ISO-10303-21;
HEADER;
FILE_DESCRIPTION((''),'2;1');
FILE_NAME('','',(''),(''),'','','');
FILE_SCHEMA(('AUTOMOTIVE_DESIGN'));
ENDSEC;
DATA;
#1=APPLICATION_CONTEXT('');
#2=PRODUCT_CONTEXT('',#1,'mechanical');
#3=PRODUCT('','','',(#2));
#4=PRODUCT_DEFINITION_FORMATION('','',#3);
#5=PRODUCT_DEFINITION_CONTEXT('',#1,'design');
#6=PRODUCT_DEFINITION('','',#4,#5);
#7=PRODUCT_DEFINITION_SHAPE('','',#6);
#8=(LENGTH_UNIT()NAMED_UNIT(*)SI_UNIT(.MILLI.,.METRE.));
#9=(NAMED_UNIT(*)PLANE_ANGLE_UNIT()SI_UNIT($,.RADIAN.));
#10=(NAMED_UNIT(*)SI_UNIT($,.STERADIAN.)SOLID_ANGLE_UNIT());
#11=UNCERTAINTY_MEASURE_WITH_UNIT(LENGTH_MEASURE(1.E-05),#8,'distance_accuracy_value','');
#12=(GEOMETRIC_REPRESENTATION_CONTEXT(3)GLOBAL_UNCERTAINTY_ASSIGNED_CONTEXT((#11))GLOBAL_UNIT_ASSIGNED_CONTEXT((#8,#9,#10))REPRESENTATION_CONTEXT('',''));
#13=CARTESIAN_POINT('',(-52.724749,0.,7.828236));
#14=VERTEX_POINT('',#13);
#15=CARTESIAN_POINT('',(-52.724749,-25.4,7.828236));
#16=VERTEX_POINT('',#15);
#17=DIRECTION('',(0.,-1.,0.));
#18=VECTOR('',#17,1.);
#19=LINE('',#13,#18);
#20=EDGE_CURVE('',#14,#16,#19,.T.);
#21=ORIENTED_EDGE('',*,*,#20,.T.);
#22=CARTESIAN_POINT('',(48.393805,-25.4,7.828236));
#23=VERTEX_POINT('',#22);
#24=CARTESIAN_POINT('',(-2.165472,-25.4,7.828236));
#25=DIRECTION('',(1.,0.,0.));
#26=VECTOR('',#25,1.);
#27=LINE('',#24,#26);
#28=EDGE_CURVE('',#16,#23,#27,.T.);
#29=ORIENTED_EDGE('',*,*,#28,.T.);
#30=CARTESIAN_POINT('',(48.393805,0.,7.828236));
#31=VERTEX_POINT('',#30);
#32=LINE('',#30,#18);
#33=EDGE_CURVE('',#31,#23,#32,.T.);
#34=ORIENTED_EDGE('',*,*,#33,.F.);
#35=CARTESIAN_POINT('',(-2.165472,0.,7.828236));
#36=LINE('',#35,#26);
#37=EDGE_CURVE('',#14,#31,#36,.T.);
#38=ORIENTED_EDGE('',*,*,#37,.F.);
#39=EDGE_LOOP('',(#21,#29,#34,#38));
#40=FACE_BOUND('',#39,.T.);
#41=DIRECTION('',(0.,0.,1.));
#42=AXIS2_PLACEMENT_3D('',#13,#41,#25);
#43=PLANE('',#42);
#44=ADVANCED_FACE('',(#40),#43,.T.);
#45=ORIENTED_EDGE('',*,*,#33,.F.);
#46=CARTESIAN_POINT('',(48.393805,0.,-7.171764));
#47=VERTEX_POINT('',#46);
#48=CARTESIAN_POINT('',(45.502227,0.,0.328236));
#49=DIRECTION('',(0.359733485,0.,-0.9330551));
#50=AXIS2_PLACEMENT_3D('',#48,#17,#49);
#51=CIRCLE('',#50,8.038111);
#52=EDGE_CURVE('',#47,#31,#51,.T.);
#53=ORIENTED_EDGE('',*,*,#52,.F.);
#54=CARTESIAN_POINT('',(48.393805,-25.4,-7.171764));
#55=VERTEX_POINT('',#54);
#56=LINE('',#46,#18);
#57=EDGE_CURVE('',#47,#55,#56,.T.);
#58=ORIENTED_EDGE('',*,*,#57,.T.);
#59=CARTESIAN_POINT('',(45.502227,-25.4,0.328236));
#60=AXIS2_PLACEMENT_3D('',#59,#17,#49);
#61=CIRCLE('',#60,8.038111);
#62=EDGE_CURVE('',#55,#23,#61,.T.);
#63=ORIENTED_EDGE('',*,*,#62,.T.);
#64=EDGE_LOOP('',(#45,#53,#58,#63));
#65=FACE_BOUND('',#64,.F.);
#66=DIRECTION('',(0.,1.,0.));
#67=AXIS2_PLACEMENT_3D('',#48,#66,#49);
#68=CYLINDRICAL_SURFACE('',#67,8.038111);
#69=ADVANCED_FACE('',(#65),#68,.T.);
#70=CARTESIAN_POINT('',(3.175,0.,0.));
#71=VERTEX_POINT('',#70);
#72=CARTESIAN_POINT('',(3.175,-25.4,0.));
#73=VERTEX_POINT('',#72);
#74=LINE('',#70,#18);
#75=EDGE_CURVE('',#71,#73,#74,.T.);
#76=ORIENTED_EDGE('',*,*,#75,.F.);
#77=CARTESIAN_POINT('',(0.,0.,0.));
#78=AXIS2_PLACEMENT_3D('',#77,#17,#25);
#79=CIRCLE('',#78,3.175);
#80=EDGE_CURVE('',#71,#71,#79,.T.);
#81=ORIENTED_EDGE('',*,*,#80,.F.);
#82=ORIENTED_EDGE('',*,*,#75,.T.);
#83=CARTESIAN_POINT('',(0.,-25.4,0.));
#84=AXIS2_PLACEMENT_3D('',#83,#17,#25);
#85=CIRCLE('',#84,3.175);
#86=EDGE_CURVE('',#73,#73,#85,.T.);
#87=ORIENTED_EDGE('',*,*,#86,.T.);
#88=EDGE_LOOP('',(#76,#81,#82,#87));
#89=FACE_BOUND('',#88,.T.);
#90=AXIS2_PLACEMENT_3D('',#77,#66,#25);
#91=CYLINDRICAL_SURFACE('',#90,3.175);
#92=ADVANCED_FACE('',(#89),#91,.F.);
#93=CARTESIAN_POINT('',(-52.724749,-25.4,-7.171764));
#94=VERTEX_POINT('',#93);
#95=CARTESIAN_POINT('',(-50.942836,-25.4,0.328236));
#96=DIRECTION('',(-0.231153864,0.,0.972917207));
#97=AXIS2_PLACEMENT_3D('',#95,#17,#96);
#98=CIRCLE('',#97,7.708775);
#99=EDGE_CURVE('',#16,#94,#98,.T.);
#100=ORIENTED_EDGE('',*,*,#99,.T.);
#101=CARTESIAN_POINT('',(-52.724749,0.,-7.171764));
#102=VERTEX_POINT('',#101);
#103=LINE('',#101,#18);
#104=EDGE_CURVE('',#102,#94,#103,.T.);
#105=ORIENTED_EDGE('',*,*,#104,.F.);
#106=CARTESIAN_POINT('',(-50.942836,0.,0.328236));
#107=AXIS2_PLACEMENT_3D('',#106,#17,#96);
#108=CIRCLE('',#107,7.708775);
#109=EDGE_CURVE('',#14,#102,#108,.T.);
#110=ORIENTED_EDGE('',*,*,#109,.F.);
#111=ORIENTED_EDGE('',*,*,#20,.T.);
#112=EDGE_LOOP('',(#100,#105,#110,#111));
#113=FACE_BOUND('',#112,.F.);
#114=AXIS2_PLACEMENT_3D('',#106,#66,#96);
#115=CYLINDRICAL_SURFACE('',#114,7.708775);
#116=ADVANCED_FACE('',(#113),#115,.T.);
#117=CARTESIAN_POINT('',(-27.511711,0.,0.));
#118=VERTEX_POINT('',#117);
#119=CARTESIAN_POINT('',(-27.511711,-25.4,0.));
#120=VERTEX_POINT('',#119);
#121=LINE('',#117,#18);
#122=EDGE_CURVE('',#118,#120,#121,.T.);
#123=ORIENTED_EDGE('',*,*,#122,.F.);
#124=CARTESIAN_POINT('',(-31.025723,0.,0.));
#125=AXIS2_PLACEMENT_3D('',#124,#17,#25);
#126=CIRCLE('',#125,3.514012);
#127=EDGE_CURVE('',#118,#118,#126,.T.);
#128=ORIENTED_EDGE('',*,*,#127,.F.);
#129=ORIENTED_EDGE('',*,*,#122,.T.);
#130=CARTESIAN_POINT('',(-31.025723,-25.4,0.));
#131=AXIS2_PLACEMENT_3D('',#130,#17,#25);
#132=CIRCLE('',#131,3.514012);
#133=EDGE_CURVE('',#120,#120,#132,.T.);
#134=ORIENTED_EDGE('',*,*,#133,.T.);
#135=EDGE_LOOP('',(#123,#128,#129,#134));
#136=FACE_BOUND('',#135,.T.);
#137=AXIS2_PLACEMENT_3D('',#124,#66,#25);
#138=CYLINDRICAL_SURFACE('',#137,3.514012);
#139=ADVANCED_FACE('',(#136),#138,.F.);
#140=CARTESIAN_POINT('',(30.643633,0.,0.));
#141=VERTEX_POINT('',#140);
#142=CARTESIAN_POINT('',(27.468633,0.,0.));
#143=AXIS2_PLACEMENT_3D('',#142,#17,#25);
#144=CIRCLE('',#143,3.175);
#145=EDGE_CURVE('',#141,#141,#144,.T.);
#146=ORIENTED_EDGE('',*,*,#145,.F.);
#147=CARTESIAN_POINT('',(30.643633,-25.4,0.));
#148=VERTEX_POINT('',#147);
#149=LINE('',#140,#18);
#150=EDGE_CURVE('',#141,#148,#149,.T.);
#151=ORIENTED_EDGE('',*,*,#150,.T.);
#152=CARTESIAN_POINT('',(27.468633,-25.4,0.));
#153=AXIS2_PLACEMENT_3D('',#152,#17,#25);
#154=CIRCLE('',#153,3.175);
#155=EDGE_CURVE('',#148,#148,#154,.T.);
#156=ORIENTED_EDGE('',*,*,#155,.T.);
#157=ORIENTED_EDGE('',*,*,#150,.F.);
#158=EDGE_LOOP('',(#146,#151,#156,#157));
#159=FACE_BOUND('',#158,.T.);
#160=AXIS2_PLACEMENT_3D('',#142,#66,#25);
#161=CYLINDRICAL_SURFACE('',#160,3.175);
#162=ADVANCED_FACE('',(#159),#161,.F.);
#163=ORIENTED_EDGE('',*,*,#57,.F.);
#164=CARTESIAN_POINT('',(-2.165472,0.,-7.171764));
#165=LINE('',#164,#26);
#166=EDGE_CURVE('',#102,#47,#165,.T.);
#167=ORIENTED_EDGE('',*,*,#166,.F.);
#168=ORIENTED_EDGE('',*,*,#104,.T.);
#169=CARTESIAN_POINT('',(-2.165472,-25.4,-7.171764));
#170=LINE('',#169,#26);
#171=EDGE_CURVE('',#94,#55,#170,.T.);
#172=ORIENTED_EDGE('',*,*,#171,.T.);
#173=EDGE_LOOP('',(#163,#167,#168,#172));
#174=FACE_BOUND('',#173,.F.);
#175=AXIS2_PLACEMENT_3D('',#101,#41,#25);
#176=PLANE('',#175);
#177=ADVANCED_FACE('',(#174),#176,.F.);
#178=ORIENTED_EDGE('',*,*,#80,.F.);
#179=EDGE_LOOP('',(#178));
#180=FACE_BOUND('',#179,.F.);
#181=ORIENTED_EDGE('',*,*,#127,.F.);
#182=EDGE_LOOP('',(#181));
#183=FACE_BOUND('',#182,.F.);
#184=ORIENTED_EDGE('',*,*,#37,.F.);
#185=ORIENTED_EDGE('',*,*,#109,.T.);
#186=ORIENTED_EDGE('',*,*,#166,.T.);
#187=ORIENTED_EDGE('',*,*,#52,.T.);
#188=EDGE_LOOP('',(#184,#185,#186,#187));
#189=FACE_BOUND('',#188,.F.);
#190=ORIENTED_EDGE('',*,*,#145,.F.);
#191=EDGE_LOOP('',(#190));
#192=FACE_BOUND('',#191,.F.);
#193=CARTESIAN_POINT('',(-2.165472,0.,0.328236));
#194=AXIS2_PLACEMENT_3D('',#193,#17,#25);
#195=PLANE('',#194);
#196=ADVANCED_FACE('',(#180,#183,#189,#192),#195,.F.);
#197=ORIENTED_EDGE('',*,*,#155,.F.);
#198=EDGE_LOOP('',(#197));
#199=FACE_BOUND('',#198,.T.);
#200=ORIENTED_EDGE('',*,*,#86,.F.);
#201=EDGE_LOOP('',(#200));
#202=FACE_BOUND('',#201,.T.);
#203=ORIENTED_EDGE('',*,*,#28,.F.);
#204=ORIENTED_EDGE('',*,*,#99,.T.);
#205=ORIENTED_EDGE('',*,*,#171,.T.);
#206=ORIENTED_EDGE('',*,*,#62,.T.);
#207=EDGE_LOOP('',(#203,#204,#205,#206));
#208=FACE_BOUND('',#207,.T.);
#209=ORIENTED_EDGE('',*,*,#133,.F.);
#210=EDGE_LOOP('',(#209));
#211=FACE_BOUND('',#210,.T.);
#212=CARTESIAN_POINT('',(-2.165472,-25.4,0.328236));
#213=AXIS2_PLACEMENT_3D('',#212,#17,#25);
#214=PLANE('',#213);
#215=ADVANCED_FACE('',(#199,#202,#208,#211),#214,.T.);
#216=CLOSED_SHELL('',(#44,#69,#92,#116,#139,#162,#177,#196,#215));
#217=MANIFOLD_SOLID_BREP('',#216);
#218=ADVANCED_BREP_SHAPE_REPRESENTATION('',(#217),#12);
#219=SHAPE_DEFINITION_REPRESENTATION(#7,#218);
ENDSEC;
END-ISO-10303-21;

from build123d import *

# Parameters (mm, degrees)
F0_W     = 101.118554
F0_H     = 15
F0_R     = 3.514012
F0_R_2   = 3.175
F1_DEPTH = 25.4


with BuildPart() as f1:
    # F0 (on Front) → F1 (new body)
    with BuildSketch(Plane.XZ):
        with Locations((-2.165472, 0.328236)):
            Rectangle(F0_W, F0_H)
        with Locations((-31.025723, 0)):
            Circle(F0_R, mode=Mode.SUBTRACT)
        Circle(F0_R_2, mode=Mode.SUBTRACT)
        with Locations((27.468633, 0)):
            Circle(F0_R_2, mode=Mode.SUBTRACT)
        with BuildLine():
            Line((-52.724749, -7.171764), (-52.724749, 7.828236))
            ThreePointArc((-52.724749, 7.828236), (-58.651611, 0.328236), (-52.724749, -7.171764))
        make_face()
        with BuildLine():
            ThreePointArc((48.393805, -7.171764), (53.540338, 0.328236), (48.393805, 7.828236))
            Line((48.393805, 7.828236), (48.393805, -7.171764))
        make_face()
    extrude(amount=F1_DEPTH)


solid = f1.part
